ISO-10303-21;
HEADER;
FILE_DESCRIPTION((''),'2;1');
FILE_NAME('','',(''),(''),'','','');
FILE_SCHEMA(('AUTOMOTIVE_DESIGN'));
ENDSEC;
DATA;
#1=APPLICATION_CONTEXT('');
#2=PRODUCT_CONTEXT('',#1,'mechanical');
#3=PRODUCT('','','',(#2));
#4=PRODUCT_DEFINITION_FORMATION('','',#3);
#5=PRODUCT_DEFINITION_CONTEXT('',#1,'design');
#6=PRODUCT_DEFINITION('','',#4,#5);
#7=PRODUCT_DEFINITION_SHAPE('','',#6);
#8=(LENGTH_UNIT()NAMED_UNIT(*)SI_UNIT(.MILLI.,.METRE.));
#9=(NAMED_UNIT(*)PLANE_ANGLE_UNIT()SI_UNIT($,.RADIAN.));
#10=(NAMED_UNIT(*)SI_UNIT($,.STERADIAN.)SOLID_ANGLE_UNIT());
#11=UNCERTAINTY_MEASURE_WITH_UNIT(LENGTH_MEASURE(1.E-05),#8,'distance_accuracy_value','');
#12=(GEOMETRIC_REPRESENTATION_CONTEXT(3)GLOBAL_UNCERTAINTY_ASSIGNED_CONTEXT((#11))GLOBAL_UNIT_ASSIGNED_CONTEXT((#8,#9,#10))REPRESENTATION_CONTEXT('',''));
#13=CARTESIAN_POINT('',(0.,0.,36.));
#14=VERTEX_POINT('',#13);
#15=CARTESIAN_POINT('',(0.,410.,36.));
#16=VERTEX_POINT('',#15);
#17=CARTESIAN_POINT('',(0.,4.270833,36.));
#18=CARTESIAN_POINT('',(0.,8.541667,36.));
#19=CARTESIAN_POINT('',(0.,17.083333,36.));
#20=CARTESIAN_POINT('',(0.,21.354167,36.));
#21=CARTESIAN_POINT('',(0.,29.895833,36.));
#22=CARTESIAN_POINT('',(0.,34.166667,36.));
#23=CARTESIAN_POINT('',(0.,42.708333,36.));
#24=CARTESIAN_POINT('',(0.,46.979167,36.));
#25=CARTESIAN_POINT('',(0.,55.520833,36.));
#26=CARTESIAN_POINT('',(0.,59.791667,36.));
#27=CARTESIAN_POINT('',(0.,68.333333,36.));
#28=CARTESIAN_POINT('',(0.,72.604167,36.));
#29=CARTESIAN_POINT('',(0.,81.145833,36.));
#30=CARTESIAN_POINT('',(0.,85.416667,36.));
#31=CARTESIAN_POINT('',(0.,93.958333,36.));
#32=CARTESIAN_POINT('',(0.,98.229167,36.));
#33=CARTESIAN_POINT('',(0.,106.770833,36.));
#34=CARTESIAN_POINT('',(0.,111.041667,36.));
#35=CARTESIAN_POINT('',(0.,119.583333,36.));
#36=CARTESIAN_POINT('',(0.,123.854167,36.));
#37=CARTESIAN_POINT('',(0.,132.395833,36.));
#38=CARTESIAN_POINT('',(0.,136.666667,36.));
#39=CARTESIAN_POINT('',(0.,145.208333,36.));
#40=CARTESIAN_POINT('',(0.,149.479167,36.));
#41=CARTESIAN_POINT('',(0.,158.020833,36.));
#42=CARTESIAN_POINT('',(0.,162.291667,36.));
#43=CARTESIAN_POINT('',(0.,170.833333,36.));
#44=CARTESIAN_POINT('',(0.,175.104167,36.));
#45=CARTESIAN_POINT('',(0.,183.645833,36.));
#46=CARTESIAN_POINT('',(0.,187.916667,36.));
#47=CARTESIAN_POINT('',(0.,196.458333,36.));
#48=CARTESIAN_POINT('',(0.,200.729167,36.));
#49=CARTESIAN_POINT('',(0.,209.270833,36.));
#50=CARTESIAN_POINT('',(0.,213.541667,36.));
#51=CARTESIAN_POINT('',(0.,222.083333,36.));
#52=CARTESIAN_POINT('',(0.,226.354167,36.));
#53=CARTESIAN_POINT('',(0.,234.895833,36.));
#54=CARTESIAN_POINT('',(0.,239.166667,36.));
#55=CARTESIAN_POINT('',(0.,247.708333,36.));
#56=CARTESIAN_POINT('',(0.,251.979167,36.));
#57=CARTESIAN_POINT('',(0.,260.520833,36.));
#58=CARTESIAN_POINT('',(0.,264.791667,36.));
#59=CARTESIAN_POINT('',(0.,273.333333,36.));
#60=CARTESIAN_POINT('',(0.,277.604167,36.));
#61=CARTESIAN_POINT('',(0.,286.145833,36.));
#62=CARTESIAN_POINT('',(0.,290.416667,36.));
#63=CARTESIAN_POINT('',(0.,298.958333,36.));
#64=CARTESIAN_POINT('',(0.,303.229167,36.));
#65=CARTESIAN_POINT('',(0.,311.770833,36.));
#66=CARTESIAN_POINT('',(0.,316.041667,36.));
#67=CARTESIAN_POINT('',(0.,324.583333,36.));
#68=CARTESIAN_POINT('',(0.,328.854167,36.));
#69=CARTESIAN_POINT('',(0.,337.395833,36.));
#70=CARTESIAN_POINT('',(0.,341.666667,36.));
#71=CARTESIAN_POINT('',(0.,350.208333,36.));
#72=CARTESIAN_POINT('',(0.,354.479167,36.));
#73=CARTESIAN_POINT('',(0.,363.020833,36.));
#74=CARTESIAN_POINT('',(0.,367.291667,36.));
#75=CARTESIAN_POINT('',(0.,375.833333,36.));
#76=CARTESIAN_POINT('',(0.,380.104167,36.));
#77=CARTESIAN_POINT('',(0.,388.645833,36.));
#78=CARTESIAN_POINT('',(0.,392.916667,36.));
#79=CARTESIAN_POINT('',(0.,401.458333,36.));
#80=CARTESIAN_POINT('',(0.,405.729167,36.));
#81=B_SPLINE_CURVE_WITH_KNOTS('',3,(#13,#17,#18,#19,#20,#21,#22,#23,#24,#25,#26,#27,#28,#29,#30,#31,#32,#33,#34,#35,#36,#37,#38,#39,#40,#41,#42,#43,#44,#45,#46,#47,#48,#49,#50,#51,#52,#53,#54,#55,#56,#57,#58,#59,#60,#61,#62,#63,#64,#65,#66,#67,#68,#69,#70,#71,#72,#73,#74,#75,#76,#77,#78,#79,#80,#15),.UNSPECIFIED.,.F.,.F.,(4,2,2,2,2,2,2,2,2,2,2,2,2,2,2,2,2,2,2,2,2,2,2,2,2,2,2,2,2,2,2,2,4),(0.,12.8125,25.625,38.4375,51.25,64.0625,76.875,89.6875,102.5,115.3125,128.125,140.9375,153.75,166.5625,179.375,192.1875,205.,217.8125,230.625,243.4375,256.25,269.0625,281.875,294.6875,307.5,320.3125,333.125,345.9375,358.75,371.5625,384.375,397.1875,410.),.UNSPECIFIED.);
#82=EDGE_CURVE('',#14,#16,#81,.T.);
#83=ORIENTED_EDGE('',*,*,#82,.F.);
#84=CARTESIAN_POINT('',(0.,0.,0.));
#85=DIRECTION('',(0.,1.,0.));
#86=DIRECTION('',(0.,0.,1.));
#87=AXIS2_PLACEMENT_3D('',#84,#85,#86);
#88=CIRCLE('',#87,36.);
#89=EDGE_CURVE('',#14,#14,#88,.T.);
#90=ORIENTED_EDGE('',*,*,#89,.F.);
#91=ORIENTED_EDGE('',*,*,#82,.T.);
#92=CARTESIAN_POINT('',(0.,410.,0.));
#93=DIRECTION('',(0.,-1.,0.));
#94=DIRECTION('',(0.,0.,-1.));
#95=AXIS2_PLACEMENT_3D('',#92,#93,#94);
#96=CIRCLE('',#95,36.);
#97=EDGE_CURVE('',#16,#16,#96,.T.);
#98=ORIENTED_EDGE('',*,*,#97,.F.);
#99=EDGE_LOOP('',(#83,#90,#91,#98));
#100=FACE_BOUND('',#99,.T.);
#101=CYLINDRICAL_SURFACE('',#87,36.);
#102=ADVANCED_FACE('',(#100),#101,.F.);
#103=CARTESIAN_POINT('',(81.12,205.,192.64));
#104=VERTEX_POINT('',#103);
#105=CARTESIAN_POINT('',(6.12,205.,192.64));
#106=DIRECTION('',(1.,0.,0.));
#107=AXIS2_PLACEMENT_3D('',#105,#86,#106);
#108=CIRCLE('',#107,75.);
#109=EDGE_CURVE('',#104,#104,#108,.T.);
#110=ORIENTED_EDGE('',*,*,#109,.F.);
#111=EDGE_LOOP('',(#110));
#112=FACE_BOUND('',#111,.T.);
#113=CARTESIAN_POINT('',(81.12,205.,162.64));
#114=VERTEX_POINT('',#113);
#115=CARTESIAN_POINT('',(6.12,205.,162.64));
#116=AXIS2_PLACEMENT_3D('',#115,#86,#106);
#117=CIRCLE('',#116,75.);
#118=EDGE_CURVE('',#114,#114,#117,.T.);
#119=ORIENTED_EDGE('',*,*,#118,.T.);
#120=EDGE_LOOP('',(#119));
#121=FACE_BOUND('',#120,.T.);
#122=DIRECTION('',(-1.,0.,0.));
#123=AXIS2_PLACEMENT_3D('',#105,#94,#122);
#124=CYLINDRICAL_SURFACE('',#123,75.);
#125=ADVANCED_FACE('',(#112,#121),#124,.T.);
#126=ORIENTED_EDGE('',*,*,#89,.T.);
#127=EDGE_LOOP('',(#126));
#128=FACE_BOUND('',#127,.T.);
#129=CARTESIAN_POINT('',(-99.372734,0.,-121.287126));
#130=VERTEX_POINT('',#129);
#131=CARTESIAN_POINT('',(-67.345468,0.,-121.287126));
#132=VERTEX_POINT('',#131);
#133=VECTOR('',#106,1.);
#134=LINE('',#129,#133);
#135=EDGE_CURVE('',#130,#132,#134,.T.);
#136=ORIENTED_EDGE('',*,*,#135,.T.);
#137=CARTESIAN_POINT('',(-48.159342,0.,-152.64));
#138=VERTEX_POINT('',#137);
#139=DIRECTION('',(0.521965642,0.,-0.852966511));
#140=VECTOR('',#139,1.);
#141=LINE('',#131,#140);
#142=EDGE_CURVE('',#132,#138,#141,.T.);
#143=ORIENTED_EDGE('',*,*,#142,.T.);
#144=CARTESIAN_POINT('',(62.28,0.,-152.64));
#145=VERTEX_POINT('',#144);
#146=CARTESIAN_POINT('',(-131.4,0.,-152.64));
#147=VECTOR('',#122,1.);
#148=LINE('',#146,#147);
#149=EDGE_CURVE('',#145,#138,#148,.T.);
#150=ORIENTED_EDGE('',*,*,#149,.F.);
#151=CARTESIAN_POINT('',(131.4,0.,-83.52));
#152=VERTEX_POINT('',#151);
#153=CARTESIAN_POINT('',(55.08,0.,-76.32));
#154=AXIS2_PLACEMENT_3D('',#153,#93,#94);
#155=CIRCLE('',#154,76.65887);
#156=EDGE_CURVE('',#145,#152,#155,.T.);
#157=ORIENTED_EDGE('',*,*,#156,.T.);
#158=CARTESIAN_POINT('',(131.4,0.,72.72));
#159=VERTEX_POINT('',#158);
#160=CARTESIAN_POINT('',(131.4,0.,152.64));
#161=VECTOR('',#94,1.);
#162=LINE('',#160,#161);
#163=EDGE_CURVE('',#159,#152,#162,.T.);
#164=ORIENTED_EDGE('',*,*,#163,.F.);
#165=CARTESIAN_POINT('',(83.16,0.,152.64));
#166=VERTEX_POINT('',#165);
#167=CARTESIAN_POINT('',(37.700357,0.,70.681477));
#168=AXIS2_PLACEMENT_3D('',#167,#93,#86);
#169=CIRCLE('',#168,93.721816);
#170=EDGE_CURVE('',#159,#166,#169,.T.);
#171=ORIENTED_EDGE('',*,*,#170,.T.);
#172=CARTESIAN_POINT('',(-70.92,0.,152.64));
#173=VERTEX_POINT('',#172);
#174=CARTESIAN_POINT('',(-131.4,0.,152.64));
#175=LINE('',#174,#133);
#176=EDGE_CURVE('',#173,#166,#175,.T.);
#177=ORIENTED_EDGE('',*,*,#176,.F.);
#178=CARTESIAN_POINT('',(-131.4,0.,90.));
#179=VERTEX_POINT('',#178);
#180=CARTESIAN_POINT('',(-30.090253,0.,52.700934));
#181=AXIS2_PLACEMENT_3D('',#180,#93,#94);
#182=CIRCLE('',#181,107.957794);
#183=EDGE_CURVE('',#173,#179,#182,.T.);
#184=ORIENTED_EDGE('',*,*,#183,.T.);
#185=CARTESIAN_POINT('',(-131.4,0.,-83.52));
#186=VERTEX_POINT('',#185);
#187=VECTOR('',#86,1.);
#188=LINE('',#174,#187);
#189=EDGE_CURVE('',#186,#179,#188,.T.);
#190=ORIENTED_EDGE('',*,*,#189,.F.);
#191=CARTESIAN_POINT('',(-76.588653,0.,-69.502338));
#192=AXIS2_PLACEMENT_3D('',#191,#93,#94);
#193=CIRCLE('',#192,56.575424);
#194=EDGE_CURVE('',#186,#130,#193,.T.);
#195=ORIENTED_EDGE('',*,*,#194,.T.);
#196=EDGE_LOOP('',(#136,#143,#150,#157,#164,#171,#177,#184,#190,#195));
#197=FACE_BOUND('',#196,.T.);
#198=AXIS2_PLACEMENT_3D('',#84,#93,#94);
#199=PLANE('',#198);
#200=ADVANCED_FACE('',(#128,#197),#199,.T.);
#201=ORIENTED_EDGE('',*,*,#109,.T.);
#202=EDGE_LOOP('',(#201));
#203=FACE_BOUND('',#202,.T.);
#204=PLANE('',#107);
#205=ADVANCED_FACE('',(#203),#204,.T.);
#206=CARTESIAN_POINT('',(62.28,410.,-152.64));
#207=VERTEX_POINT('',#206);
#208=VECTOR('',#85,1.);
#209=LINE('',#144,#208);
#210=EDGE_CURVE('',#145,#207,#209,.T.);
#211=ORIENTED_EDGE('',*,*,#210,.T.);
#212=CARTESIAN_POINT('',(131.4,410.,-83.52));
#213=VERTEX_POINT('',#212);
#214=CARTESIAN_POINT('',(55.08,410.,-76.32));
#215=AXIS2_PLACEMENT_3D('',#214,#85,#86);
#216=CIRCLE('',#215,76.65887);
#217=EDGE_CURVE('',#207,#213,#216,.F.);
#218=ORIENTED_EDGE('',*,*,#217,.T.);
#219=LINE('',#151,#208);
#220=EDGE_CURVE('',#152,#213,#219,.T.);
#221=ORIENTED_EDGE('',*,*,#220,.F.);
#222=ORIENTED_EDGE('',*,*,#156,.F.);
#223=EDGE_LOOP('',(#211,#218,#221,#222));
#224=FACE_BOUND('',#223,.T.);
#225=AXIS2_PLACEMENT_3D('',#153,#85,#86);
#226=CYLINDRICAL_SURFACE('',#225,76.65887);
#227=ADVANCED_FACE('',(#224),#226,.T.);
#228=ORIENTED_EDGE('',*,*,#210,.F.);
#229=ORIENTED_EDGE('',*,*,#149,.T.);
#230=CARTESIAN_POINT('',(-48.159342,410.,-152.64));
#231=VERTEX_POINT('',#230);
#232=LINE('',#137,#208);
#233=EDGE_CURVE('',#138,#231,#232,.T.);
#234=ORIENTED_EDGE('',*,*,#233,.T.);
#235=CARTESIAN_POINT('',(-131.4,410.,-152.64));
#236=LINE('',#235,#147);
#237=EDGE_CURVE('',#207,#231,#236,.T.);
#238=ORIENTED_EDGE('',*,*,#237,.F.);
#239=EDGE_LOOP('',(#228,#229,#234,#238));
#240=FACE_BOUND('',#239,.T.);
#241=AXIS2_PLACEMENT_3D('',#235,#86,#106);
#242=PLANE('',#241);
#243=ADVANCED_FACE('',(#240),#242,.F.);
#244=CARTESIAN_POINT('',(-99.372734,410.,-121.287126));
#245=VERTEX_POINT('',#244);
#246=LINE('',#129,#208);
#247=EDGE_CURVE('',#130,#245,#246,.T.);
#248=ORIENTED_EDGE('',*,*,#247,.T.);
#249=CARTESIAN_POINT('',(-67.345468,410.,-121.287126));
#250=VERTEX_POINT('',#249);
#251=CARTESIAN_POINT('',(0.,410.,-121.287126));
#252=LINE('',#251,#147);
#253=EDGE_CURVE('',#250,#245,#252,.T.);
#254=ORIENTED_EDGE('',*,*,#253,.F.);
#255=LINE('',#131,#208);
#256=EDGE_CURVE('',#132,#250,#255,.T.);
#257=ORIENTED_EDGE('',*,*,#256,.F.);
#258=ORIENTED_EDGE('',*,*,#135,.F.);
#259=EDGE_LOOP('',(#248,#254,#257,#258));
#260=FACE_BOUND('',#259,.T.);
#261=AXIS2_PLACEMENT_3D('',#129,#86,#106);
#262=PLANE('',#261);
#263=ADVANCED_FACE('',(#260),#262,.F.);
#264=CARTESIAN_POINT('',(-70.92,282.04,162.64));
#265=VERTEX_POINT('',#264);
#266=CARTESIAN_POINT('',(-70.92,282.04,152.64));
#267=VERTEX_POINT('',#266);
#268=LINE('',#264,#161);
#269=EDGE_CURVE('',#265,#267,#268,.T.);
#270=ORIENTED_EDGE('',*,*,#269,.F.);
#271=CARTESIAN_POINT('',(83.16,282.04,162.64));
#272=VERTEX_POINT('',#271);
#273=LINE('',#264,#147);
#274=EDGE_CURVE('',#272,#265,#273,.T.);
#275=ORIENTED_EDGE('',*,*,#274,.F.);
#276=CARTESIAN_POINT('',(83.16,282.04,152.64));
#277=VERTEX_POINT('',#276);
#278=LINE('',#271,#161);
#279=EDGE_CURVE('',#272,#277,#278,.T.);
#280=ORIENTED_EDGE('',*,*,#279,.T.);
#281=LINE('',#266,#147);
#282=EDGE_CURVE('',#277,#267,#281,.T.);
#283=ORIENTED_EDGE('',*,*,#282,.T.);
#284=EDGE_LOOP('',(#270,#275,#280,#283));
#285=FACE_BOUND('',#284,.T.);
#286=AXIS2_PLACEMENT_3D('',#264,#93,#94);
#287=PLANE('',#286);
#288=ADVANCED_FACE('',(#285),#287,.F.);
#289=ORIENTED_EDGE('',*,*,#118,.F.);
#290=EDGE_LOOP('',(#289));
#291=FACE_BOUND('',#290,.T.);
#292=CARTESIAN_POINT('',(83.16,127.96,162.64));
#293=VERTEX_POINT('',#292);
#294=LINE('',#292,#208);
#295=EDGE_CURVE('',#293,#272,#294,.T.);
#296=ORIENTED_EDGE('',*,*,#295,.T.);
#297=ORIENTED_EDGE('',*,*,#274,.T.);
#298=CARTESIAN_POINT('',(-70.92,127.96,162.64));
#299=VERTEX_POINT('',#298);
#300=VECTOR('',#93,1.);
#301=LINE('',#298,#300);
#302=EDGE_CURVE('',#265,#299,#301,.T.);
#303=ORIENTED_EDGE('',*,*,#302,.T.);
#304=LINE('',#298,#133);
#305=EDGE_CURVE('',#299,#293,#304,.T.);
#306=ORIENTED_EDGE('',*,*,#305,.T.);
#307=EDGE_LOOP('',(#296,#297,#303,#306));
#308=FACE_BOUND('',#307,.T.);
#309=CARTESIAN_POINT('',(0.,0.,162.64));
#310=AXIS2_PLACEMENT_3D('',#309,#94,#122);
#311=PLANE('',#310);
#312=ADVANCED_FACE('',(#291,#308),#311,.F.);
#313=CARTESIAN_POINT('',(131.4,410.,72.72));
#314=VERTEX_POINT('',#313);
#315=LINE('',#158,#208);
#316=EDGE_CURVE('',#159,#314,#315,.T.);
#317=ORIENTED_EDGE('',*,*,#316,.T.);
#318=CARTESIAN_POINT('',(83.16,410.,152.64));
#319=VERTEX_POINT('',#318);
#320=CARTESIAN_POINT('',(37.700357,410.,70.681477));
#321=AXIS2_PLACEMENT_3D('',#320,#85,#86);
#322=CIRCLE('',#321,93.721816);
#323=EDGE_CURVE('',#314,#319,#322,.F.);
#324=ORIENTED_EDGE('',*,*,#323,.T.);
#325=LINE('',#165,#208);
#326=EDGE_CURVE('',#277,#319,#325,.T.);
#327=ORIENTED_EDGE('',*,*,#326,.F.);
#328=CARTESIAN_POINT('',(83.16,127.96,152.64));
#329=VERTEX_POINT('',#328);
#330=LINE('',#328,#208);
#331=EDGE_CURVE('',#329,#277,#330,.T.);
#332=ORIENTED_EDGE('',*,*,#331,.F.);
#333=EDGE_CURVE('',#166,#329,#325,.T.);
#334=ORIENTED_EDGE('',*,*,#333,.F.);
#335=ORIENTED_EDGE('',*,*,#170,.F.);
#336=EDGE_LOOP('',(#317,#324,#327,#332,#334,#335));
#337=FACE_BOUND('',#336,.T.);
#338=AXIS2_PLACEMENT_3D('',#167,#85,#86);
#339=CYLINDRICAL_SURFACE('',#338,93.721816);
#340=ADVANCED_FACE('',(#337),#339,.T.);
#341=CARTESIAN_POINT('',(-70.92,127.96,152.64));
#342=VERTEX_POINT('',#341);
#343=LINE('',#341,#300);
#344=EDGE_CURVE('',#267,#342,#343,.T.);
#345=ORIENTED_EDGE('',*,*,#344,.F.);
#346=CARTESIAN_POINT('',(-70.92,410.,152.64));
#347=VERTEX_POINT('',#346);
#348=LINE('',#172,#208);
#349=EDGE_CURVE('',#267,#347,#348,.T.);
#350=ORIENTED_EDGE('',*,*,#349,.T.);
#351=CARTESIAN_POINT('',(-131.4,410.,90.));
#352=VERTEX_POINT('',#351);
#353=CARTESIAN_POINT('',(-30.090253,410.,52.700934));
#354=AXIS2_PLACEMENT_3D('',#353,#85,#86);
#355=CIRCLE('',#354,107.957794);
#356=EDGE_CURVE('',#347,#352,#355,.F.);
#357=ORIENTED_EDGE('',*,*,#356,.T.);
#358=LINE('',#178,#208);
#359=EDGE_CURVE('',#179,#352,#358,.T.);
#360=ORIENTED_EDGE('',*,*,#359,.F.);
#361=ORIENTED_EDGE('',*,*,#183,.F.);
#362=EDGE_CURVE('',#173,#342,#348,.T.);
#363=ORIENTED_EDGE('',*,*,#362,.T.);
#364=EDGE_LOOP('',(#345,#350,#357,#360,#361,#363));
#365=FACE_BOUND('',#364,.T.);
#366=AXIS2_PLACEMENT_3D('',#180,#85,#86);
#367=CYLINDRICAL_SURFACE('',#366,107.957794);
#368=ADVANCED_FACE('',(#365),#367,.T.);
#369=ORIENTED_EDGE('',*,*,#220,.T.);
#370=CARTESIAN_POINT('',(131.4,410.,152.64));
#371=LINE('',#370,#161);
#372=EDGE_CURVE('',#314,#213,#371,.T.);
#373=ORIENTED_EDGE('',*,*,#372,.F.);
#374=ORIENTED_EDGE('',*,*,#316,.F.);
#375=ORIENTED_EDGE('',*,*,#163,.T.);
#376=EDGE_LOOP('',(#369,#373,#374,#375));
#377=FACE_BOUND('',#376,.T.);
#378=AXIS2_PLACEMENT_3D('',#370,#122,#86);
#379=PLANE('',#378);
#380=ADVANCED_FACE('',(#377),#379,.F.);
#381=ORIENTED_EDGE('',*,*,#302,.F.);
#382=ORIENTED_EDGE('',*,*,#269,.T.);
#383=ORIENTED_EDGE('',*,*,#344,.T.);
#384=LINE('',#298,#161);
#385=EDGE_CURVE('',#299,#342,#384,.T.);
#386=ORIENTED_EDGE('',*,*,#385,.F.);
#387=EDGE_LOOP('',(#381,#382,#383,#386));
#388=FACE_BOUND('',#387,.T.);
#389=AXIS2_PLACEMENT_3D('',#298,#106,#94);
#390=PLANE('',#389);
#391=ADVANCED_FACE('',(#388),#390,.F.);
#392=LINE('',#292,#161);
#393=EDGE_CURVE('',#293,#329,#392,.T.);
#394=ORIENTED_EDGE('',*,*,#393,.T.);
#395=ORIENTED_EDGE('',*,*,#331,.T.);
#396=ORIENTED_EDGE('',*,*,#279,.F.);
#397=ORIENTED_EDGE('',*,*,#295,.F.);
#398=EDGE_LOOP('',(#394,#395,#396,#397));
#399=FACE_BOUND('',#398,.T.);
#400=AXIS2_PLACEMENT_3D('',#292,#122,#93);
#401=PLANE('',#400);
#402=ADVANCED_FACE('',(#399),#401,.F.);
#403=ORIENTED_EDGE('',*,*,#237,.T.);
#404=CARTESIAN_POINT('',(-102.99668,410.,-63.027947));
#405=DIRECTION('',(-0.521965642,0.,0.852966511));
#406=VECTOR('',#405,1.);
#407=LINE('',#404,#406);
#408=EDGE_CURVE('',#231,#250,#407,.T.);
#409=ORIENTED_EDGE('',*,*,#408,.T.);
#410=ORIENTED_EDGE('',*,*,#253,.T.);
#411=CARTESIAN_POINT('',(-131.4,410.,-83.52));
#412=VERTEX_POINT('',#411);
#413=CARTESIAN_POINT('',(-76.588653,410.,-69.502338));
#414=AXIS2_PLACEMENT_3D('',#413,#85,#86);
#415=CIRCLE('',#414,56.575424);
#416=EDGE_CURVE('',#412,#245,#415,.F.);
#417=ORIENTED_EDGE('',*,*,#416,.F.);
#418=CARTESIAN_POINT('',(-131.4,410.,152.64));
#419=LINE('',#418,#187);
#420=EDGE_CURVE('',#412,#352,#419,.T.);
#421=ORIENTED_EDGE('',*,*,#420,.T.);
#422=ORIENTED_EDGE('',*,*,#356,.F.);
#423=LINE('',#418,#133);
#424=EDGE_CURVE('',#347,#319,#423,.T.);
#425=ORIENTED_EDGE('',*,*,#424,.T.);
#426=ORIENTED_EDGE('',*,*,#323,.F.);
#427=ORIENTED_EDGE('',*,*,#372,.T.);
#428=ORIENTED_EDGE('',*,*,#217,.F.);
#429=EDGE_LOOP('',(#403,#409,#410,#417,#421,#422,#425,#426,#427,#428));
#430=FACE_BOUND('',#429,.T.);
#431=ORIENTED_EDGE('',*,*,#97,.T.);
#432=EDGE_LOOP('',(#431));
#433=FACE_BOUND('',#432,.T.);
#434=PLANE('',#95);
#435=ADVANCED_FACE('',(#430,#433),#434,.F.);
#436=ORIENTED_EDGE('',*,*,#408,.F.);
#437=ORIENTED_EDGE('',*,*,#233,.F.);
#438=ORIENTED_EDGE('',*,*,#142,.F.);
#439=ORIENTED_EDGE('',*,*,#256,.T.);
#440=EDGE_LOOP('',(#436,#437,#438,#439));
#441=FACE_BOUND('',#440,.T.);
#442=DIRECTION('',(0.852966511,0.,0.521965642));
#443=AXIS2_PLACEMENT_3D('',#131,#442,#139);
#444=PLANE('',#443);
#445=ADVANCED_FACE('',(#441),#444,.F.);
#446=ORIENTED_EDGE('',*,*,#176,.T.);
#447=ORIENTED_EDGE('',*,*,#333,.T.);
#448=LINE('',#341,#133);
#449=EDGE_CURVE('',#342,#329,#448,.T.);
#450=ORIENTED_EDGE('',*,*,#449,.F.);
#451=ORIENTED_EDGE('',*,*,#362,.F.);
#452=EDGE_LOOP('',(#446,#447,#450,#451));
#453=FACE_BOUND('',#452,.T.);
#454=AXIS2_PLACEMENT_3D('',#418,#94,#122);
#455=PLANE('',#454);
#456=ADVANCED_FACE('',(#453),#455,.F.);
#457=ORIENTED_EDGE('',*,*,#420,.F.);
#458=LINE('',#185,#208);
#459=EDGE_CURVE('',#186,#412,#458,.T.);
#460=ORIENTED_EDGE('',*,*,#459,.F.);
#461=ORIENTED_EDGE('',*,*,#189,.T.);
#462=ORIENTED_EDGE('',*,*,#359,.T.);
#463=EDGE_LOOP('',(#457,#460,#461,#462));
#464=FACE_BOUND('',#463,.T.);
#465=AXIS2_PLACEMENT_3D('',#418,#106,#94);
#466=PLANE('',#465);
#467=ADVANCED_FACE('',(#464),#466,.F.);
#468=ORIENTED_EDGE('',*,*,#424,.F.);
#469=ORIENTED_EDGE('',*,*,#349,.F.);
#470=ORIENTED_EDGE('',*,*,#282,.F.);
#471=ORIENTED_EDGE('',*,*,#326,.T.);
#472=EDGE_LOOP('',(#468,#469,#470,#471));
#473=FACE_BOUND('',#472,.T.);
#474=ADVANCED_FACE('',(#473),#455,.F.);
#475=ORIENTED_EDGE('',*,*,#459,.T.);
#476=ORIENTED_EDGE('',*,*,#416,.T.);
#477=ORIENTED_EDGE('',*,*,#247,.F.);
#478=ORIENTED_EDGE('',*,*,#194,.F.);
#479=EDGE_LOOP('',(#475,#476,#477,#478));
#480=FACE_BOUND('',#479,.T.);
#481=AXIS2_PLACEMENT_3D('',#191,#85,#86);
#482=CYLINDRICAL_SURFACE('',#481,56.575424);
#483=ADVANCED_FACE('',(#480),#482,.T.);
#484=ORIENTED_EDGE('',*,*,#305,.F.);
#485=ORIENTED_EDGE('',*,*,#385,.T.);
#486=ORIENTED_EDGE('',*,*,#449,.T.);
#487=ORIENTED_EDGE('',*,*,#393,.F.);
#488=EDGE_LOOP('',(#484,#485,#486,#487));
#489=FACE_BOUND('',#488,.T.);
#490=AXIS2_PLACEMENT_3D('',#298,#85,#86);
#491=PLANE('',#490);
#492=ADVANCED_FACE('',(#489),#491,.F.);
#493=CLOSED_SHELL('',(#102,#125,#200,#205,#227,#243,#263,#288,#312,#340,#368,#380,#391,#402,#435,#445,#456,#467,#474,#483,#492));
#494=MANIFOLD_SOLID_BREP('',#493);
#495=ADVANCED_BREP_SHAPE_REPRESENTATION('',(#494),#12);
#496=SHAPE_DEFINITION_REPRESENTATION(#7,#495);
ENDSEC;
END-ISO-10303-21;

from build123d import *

# Parameters (mm, degrees)
SKETCH3_W               = 262.8
SKETCH3_H               = 305.28
BOSS_EXTRUDE3_DEPTH     = 410
CUT_EXTRUDE1_DEPTH      = 457.798565672
CUT_EXTRUDE1_DEPTH_BACK = 457.798565672
CUT_EXTRUDE2_DEPTH      = 457.798565672
CUT_EXTRUDE2_DEPTH_BACK = 457.798565672
SKETCH5_R               = 36
SKETCH6_W               = 154.08
SKETCH6_H               = 154.08
BOSS_EXTRUDE4_DEPTH     = 10
SKETCH7_R               = 75
BOSS_EXTRUDE5_DEPTH     = 30


with BuildPart() as part:
    # Sketch3 → Boss-Extrude3 (new body)
    with BuildSketch(Plane(origin=(0, 0, 0), x_dir=(1, 0, 0), z_dir=(0, 1, 0))):
        Rectangle(SKETCH3_W, SKETCH3_H)
    extrude(amount=BOSS_EXTRUDE3_DEPTH)

    # Sketch4 → Cut-Extrude1 (cut, two sides: drawn at the far end of the back side and taken through both)
    with BuildSketch(Plane(origin=(0, 410, 0), x_dir=(1, 0, 0), z_dir=(0, 1, 0)).offset(-CUT_EXTRUDE1_DEPTH_BACK)):
        with BuildLine():
            Line((-131.4, -90), (-131.4, -152.64))
            Line((-131.4, -152.64), (-70.92, -152.64))
            ThreePointArc((-70.92, -152.64), (-107.755247271, -127.687824951), (-131.4, -90))
        make_face()
        with BuildLine():
            Line((83.16, -152.64), (131.4, -152.64))
            Line((131.4, -152.64), (131.4, -72.72))
            ThreePointArc((131.4, -72.72), (117.938305095, -119.113391364), (83.16, -152.64))
        make_face()
        with BuildLine():
            Line((-99.372734155, 121.287125755), (-67.345468311, 121.287125755))
            Line((-67.345468311, 121.287125755), (-48.15934209, 152.64))
            Line((-48.15934209, 152.64), (-131.4, 152.64))
            Line((-131.4, 152.64), (-131.4, 83.52))
            ThreePointArc((-131.4, 83.52), (-119.737831056, 106.093689962), (-99.372734155, 121.287125755))
        make_face()
        with BuildLine():
            Line((131.4, 83.52), (131.4, 152.64))
            Line((131.4, 152.64), (62.28, 152.64))
            ThreePointArc((62.28, 152.64), (109.286007047, 130.526007047), (131.4, 83.52))
        make_face()
    extrude(amount=CUT_EXTRUDE1_DEPTH + CUT_EXTRUDE1_DEPTH_BACK, mode=Mode.SUBTRACT)

    # Sketch5 → Cut-Extrude2 (cut, two sides: drawn at the far end of the back side and taken through both)
    with BuildSketch(Plane(origin=(0, 410, 0), x_dir=(1, 0, 0), z_dir=(0, 1, 0)).offset(-CUT_EXTRUDE2_DEPTH_BACK)):
        with Locations(Location((0, 0, 0), (0, 0, 270))):
            Circle(SKETCH5_R)
    extrude(amount=CUT_EXTRUDE2_DEPTH + CUT_EXTRUDE2_DEPTH_BACK, mode=Mode.SUBTRACT)

    # Sketch6 → Boss-Extrude4 (add)
    with BuildSketch(Plane.XY.offset(152.64)):
        with Locations((6.12, 205)):
            Rectangle(SKETCH6_W, SKETCH6_H)
    extrude(amount=BOSS_EXTRUDE4_DEPTH)

    # Sketch7 → Boss-Extrude5 (add)
    with BuildSketch(Plane.XY.offset(162.64)):
        with Locations((6.12, 205)):
            Circle(SKETCH7_R)
    extrude(amount=BOSS_EXTRUDE5_DEPTH)


solid = part.part
